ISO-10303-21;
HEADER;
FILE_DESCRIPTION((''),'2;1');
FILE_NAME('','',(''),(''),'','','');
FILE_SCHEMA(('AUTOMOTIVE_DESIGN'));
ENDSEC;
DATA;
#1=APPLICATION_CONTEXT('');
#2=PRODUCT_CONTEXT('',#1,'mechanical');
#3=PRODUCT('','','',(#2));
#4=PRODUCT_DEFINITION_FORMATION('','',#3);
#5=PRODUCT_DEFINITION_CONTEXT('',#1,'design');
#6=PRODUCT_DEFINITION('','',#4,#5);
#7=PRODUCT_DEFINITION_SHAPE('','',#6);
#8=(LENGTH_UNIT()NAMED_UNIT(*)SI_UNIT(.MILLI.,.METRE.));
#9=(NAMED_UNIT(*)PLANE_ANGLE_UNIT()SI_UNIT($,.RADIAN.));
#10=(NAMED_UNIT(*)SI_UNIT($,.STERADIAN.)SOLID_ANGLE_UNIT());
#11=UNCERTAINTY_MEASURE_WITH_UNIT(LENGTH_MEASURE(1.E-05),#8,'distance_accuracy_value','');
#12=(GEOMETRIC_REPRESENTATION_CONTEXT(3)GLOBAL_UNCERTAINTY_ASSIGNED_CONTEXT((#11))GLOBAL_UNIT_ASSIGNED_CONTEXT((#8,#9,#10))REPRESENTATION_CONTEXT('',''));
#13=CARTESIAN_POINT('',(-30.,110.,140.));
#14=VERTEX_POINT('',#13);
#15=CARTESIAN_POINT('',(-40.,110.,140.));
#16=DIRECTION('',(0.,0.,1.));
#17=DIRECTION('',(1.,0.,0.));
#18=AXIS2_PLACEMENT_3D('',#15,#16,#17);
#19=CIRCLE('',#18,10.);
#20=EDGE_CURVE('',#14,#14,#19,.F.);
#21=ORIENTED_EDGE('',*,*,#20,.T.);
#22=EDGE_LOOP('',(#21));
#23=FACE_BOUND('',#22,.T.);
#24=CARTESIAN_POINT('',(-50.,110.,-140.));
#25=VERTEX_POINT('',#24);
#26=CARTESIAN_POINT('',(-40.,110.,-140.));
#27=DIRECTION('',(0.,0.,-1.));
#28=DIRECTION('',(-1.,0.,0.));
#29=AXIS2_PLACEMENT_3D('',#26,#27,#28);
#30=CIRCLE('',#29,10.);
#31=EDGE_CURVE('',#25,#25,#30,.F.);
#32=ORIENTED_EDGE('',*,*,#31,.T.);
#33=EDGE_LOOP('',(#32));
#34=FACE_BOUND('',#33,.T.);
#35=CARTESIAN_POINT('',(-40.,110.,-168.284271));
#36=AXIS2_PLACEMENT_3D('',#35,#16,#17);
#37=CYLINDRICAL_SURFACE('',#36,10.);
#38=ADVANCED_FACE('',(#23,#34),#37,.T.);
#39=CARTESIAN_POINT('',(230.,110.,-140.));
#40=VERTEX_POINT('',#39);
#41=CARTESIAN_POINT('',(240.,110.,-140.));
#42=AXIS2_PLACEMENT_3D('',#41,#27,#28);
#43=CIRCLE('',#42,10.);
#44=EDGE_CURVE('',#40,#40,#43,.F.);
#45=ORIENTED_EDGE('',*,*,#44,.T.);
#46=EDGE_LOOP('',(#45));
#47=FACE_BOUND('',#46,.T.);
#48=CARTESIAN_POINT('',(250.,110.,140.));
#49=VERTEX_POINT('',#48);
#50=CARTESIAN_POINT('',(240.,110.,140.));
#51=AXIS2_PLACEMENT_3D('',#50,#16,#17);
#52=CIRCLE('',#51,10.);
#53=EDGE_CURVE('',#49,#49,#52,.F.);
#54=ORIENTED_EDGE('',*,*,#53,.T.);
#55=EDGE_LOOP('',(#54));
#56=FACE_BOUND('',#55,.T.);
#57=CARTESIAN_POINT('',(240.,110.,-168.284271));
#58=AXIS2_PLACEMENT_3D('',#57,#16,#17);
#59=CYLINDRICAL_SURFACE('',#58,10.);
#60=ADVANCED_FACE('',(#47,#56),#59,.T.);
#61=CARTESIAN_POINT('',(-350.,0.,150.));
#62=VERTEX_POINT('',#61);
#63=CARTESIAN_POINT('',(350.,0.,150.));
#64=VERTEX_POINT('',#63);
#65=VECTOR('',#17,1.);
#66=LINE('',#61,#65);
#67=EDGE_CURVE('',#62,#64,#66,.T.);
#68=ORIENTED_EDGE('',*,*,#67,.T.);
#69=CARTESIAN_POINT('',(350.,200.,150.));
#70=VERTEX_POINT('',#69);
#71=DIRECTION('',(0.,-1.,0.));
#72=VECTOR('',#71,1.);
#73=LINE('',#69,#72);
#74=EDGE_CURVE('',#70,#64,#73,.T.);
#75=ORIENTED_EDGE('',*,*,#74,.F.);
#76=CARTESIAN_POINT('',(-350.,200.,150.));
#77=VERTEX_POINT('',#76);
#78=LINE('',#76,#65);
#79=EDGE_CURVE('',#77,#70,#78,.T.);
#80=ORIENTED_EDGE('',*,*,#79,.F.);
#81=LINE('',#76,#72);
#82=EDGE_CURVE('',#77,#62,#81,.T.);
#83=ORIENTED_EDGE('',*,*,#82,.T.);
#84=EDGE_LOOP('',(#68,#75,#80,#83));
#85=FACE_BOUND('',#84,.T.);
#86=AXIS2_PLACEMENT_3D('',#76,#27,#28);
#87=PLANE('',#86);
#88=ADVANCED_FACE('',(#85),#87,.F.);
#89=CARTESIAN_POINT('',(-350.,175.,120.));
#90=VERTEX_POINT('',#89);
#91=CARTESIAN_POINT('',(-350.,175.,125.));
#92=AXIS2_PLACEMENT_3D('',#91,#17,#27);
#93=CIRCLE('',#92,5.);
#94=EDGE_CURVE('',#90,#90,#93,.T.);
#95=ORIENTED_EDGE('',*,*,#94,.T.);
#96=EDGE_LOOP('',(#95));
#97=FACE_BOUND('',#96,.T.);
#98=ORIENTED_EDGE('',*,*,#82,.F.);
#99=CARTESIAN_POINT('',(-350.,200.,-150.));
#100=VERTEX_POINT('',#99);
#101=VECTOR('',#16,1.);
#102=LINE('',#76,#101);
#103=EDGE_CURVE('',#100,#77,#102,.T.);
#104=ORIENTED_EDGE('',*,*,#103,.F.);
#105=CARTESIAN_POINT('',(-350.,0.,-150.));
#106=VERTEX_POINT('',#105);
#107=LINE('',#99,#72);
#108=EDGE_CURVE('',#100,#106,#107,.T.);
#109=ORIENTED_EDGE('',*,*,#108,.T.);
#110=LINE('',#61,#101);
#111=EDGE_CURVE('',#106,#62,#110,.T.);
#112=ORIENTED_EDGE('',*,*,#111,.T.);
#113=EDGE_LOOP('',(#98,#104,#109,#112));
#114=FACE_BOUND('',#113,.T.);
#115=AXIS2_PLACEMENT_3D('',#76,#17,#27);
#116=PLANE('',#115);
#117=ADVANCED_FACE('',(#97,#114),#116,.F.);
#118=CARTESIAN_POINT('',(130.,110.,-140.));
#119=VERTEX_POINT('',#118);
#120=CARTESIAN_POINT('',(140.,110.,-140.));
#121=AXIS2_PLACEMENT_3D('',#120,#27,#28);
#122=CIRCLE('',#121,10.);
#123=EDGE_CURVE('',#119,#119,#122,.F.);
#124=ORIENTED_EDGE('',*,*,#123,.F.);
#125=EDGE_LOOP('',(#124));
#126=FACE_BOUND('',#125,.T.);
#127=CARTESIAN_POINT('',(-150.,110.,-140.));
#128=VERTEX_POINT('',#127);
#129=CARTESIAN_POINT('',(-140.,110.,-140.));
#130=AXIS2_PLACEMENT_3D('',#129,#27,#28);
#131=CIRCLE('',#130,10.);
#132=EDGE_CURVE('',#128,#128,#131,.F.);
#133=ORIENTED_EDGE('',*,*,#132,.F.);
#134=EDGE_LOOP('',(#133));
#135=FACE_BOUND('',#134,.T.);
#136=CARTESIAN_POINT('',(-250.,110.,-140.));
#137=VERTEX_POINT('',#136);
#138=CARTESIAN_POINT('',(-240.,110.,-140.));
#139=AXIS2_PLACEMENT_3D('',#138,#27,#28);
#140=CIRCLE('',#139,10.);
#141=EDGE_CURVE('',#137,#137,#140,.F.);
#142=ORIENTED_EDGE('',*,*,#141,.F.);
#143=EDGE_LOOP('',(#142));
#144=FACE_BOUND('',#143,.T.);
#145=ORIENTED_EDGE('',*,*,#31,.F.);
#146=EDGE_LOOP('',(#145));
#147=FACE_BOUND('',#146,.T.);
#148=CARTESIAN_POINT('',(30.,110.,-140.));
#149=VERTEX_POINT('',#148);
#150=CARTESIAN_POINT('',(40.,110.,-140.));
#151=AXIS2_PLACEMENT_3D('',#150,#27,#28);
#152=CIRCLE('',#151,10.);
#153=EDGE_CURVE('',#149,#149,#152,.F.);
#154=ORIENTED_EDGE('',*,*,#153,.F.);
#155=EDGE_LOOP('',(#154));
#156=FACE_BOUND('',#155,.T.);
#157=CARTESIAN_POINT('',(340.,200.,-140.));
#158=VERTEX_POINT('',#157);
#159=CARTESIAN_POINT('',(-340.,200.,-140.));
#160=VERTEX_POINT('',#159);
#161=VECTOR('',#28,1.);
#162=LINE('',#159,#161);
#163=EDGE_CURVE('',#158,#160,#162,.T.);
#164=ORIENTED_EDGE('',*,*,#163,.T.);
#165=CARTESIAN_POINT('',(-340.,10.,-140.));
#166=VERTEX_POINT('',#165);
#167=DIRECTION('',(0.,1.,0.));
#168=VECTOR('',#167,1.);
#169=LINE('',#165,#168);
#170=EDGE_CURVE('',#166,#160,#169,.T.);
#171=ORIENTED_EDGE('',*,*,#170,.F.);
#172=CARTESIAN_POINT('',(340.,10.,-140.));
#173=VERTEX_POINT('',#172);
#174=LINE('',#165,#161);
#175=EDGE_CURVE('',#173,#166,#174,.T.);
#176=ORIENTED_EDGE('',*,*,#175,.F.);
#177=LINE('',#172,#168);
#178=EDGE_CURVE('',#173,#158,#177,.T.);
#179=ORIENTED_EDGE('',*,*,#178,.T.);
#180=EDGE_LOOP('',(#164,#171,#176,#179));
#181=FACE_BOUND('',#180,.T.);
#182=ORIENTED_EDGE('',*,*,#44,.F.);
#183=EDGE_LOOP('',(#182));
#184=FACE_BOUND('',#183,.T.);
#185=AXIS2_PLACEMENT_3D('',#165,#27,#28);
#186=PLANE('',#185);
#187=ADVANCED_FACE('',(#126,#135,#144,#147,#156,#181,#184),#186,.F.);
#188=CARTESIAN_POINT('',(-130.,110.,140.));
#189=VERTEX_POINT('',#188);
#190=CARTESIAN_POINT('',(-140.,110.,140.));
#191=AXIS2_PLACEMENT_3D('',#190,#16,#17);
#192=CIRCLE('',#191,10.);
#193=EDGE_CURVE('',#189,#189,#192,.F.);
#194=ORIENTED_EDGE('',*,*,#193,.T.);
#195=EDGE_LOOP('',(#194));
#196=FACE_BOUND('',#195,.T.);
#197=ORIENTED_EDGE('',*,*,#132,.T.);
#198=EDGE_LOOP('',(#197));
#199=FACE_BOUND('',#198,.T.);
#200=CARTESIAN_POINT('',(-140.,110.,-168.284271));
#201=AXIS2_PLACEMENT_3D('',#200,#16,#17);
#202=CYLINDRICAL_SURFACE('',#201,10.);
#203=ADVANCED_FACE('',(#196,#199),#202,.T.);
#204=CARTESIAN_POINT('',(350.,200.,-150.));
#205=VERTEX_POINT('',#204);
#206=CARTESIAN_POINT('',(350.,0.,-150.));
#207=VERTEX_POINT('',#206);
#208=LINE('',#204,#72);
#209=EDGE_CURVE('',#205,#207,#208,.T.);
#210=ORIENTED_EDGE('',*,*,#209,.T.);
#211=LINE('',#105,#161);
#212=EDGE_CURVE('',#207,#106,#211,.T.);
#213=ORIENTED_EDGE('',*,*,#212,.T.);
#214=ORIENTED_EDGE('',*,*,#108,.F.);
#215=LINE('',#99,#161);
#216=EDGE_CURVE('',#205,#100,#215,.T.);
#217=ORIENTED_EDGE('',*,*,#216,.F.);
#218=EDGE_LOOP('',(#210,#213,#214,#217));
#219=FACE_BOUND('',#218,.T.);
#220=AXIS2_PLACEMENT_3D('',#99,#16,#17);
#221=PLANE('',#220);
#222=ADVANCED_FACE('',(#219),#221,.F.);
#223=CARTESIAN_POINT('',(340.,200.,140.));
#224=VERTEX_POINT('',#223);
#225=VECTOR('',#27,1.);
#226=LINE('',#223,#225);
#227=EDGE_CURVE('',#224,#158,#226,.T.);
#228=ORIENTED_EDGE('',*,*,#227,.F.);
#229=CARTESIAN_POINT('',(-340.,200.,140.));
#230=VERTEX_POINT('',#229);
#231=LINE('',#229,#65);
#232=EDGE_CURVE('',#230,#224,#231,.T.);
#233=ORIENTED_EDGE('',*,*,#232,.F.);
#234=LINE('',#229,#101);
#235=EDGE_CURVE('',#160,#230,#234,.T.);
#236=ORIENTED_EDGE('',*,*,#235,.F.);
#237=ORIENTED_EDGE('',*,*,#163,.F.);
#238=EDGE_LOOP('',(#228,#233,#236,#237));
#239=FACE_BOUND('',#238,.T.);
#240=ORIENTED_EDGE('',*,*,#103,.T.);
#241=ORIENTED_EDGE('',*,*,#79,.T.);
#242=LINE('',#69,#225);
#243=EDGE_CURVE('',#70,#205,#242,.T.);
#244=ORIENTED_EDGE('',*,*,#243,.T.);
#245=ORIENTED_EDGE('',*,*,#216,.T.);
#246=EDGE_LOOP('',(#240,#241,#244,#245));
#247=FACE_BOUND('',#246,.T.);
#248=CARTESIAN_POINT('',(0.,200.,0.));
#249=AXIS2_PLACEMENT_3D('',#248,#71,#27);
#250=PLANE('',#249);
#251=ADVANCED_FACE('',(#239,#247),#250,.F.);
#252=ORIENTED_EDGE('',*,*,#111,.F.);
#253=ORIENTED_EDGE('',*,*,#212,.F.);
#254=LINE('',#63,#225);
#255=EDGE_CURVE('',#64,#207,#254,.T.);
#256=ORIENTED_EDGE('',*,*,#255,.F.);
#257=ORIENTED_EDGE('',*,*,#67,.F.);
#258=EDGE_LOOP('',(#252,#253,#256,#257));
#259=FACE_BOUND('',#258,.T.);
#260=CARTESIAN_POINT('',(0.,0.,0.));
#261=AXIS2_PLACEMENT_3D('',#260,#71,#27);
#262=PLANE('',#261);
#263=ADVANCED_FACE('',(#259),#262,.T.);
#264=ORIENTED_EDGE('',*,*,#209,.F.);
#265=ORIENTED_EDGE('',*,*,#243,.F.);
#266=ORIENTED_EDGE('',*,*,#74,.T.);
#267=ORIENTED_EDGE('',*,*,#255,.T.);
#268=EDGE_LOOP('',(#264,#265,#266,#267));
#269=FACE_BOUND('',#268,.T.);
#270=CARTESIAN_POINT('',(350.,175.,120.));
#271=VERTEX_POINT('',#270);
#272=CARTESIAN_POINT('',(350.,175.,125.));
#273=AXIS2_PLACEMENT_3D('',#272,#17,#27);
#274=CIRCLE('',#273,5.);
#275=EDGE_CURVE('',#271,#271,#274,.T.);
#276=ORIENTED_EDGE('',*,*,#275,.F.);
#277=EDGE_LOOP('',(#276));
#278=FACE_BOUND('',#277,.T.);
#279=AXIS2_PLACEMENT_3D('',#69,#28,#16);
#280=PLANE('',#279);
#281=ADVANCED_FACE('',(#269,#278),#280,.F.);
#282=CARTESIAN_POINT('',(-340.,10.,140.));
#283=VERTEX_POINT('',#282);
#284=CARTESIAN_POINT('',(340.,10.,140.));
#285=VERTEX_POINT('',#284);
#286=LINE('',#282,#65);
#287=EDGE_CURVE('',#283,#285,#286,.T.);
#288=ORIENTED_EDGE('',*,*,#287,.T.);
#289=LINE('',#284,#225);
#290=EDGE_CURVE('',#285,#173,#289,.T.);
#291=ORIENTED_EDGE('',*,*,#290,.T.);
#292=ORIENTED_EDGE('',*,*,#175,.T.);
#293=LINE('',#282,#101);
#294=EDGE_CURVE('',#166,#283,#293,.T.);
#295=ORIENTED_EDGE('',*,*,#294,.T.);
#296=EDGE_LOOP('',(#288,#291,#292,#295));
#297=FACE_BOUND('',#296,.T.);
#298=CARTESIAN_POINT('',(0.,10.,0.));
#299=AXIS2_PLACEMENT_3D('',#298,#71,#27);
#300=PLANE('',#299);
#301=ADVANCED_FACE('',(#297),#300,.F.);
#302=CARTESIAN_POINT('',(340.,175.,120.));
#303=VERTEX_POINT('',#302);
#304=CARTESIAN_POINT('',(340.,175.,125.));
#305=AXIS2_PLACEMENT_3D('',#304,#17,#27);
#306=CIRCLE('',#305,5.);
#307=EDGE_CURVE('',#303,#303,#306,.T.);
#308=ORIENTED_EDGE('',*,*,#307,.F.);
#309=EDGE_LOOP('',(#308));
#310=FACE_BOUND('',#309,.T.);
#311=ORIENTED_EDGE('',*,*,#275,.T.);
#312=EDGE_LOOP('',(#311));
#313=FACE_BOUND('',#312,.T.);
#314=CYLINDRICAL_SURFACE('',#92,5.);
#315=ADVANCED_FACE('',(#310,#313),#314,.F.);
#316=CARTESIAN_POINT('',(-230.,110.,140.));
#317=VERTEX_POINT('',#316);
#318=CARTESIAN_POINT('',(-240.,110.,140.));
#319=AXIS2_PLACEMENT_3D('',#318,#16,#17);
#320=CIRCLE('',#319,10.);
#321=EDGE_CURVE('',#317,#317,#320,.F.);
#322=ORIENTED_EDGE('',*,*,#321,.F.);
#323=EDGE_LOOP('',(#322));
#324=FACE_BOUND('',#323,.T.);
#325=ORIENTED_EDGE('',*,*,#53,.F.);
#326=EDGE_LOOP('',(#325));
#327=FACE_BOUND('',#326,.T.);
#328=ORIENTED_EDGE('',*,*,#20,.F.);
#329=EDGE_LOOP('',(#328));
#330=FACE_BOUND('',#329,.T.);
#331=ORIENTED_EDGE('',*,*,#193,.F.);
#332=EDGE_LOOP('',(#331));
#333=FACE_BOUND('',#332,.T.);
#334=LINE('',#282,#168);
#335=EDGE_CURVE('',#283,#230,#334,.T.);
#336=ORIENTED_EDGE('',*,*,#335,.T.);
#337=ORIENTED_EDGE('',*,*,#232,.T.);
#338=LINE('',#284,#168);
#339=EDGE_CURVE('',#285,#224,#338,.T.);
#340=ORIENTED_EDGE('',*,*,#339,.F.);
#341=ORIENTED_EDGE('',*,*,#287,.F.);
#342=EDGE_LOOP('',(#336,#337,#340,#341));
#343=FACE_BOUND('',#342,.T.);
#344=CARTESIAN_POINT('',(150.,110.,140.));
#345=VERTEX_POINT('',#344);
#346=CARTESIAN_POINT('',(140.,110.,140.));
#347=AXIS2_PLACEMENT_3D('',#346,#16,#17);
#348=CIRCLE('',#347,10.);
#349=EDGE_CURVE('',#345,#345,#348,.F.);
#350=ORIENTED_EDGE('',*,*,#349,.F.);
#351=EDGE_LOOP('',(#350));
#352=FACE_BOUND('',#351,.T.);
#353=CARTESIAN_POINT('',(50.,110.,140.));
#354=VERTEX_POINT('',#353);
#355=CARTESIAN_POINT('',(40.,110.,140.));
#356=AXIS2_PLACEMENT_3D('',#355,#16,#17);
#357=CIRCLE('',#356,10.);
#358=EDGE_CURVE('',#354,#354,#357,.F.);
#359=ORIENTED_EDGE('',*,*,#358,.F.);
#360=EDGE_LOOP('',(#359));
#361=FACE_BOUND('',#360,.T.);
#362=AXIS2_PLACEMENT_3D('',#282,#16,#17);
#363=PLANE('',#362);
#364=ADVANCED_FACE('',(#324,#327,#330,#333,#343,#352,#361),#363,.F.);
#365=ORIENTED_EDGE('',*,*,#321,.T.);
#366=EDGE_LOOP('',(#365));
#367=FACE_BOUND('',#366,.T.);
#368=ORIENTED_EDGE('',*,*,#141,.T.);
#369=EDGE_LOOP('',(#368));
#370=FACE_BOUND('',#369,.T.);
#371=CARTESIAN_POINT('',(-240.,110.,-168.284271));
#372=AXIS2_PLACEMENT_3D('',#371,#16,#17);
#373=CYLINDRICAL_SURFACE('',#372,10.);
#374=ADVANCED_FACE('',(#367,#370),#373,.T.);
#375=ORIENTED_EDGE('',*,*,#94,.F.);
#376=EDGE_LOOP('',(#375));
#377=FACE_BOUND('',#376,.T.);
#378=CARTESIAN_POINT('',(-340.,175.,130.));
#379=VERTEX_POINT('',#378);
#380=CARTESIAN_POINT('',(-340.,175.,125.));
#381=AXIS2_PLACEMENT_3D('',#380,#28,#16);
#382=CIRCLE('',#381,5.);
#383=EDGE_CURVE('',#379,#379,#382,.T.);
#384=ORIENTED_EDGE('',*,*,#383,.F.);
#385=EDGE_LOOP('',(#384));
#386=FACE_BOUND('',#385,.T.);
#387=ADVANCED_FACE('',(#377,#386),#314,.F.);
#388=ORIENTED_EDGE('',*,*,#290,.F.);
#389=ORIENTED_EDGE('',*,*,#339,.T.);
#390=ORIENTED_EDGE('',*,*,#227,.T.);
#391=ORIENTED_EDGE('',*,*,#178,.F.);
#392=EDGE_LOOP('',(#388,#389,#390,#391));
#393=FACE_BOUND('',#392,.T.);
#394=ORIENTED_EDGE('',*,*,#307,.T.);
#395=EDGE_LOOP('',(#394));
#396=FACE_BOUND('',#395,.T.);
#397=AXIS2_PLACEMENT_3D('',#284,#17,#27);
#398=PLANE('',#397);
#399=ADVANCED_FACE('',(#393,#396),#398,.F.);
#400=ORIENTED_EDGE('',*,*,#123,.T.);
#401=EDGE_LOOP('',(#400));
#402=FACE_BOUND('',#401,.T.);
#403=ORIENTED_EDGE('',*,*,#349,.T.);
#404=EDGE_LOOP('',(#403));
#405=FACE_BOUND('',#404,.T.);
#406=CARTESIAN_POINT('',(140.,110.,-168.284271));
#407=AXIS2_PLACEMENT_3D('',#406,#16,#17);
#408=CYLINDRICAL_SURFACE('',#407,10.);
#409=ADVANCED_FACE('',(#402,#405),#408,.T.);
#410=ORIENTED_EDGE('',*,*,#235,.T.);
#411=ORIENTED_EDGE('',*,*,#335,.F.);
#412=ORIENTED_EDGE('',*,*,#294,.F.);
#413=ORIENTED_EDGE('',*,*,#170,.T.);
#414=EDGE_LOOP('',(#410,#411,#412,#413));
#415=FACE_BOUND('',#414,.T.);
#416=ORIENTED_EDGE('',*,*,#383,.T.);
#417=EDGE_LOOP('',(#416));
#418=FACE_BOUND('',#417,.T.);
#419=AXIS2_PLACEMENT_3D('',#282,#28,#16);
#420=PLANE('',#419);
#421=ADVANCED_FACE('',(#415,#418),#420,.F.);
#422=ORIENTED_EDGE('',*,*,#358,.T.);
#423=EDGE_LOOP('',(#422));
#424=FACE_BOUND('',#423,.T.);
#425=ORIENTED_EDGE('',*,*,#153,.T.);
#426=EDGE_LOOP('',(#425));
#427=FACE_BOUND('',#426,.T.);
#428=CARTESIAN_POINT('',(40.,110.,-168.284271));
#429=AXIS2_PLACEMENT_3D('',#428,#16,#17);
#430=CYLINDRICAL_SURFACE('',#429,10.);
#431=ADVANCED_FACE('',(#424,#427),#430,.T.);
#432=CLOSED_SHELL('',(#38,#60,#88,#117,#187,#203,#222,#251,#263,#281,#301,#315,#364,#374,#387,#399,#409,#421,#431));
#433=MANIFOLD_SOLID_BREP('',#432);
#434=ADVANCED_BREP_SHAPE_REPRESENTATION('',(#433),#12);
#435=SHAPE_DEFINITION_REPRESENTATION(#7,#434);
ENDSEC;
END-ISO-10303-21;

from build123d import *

# Parameters (mm, degrees)
CROQUIS1_W              = 700
CROQUIS1_H              = 300
SALIENTE_EXTRUIR1_DEPTH = 200
CROQUIS2_W              = 680
CROQUIS2_H              = 280
CORTAR_EXTRUIR1_DEPTH   = 190
CROQUIS3_R              = 5
CORTAR_EXTRUIR2_DEPTH   = 700
CROQUIS4_R              = 10
SALIENTE_EXTRUIR2_DEPTH = 280


with BuildPart() as part:
    # Croquis1 → Saliente-Extruir1 (new body)
    with BuildSketch(Plane(origin=(0, 0, 0), x_dir=(1, 0, 0), z_dir=(0, 1, 0))):
        Rectangle(CROQUIS1_W, CROQUIS1_H)
    extrude(amount=SALIENTE_EXTRUIR1_DEPTH)

    # Croquis2 → Cortar-Extruir1 (cut)
    with BuildSketch(Plane(origin=(0, 200, 0), x_dir=(1, 0, 0), z_dir=(0, 1, 0))):
        Rectangle(CROQUIS2_W, CROQUIS2_H)
    extrude(amount=-CORTAR_EXTRUIR1_DEPTH, mode=Mode.SUBTRACT)

    # Croquis3 → Cortar-Extruir2 (cut)
    with BuildSketch(Plane(origin=(350, 0, 0), x_dir=(0, 0, -1), z_dir=(1, 0, 0))):
        with Locations((-125, 175)):
            Circle(CROQUIS3_R)
    extrude(amount=-CORTAR_EXTRUIR2_DEPTH, mode=Mode.SUBTRACT)

    # Croquis4 → Saliente-Extruir2 (add)
    with BuildSketch(Plane(origin=(0, 0, 140), x_dir=(-1, 0, 0), z_dir=(0, 0, -1))):
        with Locations(Location((-240, 110, 0), (0, 0, 180))):
            Circle(CROQUIS4_R)
        with Locations(Location((-140, 110, 0), (0, 0, 180))):
            Circle(CROQUIS4_R)
        with Locations(Location((-40, 110, 0), (0, 0, 180))):
            Circle(CROQUIS4_R)
        with Locations(Location((140, 110, 0), (0, 0, 180))):
            Circle(CROQUIS4_R)
        with Locations(Location((240, 110, 0), (0, 0, 180))):
            Circle(CROQUIS4_R)
        with Locations(Location((40, 110, 0), (0, 0, 180))):
            Circle(CROQUIS4_R)
    extrude(amount=SALIENTE_EXTRUIR2_DEPTH)


solid = part.part
